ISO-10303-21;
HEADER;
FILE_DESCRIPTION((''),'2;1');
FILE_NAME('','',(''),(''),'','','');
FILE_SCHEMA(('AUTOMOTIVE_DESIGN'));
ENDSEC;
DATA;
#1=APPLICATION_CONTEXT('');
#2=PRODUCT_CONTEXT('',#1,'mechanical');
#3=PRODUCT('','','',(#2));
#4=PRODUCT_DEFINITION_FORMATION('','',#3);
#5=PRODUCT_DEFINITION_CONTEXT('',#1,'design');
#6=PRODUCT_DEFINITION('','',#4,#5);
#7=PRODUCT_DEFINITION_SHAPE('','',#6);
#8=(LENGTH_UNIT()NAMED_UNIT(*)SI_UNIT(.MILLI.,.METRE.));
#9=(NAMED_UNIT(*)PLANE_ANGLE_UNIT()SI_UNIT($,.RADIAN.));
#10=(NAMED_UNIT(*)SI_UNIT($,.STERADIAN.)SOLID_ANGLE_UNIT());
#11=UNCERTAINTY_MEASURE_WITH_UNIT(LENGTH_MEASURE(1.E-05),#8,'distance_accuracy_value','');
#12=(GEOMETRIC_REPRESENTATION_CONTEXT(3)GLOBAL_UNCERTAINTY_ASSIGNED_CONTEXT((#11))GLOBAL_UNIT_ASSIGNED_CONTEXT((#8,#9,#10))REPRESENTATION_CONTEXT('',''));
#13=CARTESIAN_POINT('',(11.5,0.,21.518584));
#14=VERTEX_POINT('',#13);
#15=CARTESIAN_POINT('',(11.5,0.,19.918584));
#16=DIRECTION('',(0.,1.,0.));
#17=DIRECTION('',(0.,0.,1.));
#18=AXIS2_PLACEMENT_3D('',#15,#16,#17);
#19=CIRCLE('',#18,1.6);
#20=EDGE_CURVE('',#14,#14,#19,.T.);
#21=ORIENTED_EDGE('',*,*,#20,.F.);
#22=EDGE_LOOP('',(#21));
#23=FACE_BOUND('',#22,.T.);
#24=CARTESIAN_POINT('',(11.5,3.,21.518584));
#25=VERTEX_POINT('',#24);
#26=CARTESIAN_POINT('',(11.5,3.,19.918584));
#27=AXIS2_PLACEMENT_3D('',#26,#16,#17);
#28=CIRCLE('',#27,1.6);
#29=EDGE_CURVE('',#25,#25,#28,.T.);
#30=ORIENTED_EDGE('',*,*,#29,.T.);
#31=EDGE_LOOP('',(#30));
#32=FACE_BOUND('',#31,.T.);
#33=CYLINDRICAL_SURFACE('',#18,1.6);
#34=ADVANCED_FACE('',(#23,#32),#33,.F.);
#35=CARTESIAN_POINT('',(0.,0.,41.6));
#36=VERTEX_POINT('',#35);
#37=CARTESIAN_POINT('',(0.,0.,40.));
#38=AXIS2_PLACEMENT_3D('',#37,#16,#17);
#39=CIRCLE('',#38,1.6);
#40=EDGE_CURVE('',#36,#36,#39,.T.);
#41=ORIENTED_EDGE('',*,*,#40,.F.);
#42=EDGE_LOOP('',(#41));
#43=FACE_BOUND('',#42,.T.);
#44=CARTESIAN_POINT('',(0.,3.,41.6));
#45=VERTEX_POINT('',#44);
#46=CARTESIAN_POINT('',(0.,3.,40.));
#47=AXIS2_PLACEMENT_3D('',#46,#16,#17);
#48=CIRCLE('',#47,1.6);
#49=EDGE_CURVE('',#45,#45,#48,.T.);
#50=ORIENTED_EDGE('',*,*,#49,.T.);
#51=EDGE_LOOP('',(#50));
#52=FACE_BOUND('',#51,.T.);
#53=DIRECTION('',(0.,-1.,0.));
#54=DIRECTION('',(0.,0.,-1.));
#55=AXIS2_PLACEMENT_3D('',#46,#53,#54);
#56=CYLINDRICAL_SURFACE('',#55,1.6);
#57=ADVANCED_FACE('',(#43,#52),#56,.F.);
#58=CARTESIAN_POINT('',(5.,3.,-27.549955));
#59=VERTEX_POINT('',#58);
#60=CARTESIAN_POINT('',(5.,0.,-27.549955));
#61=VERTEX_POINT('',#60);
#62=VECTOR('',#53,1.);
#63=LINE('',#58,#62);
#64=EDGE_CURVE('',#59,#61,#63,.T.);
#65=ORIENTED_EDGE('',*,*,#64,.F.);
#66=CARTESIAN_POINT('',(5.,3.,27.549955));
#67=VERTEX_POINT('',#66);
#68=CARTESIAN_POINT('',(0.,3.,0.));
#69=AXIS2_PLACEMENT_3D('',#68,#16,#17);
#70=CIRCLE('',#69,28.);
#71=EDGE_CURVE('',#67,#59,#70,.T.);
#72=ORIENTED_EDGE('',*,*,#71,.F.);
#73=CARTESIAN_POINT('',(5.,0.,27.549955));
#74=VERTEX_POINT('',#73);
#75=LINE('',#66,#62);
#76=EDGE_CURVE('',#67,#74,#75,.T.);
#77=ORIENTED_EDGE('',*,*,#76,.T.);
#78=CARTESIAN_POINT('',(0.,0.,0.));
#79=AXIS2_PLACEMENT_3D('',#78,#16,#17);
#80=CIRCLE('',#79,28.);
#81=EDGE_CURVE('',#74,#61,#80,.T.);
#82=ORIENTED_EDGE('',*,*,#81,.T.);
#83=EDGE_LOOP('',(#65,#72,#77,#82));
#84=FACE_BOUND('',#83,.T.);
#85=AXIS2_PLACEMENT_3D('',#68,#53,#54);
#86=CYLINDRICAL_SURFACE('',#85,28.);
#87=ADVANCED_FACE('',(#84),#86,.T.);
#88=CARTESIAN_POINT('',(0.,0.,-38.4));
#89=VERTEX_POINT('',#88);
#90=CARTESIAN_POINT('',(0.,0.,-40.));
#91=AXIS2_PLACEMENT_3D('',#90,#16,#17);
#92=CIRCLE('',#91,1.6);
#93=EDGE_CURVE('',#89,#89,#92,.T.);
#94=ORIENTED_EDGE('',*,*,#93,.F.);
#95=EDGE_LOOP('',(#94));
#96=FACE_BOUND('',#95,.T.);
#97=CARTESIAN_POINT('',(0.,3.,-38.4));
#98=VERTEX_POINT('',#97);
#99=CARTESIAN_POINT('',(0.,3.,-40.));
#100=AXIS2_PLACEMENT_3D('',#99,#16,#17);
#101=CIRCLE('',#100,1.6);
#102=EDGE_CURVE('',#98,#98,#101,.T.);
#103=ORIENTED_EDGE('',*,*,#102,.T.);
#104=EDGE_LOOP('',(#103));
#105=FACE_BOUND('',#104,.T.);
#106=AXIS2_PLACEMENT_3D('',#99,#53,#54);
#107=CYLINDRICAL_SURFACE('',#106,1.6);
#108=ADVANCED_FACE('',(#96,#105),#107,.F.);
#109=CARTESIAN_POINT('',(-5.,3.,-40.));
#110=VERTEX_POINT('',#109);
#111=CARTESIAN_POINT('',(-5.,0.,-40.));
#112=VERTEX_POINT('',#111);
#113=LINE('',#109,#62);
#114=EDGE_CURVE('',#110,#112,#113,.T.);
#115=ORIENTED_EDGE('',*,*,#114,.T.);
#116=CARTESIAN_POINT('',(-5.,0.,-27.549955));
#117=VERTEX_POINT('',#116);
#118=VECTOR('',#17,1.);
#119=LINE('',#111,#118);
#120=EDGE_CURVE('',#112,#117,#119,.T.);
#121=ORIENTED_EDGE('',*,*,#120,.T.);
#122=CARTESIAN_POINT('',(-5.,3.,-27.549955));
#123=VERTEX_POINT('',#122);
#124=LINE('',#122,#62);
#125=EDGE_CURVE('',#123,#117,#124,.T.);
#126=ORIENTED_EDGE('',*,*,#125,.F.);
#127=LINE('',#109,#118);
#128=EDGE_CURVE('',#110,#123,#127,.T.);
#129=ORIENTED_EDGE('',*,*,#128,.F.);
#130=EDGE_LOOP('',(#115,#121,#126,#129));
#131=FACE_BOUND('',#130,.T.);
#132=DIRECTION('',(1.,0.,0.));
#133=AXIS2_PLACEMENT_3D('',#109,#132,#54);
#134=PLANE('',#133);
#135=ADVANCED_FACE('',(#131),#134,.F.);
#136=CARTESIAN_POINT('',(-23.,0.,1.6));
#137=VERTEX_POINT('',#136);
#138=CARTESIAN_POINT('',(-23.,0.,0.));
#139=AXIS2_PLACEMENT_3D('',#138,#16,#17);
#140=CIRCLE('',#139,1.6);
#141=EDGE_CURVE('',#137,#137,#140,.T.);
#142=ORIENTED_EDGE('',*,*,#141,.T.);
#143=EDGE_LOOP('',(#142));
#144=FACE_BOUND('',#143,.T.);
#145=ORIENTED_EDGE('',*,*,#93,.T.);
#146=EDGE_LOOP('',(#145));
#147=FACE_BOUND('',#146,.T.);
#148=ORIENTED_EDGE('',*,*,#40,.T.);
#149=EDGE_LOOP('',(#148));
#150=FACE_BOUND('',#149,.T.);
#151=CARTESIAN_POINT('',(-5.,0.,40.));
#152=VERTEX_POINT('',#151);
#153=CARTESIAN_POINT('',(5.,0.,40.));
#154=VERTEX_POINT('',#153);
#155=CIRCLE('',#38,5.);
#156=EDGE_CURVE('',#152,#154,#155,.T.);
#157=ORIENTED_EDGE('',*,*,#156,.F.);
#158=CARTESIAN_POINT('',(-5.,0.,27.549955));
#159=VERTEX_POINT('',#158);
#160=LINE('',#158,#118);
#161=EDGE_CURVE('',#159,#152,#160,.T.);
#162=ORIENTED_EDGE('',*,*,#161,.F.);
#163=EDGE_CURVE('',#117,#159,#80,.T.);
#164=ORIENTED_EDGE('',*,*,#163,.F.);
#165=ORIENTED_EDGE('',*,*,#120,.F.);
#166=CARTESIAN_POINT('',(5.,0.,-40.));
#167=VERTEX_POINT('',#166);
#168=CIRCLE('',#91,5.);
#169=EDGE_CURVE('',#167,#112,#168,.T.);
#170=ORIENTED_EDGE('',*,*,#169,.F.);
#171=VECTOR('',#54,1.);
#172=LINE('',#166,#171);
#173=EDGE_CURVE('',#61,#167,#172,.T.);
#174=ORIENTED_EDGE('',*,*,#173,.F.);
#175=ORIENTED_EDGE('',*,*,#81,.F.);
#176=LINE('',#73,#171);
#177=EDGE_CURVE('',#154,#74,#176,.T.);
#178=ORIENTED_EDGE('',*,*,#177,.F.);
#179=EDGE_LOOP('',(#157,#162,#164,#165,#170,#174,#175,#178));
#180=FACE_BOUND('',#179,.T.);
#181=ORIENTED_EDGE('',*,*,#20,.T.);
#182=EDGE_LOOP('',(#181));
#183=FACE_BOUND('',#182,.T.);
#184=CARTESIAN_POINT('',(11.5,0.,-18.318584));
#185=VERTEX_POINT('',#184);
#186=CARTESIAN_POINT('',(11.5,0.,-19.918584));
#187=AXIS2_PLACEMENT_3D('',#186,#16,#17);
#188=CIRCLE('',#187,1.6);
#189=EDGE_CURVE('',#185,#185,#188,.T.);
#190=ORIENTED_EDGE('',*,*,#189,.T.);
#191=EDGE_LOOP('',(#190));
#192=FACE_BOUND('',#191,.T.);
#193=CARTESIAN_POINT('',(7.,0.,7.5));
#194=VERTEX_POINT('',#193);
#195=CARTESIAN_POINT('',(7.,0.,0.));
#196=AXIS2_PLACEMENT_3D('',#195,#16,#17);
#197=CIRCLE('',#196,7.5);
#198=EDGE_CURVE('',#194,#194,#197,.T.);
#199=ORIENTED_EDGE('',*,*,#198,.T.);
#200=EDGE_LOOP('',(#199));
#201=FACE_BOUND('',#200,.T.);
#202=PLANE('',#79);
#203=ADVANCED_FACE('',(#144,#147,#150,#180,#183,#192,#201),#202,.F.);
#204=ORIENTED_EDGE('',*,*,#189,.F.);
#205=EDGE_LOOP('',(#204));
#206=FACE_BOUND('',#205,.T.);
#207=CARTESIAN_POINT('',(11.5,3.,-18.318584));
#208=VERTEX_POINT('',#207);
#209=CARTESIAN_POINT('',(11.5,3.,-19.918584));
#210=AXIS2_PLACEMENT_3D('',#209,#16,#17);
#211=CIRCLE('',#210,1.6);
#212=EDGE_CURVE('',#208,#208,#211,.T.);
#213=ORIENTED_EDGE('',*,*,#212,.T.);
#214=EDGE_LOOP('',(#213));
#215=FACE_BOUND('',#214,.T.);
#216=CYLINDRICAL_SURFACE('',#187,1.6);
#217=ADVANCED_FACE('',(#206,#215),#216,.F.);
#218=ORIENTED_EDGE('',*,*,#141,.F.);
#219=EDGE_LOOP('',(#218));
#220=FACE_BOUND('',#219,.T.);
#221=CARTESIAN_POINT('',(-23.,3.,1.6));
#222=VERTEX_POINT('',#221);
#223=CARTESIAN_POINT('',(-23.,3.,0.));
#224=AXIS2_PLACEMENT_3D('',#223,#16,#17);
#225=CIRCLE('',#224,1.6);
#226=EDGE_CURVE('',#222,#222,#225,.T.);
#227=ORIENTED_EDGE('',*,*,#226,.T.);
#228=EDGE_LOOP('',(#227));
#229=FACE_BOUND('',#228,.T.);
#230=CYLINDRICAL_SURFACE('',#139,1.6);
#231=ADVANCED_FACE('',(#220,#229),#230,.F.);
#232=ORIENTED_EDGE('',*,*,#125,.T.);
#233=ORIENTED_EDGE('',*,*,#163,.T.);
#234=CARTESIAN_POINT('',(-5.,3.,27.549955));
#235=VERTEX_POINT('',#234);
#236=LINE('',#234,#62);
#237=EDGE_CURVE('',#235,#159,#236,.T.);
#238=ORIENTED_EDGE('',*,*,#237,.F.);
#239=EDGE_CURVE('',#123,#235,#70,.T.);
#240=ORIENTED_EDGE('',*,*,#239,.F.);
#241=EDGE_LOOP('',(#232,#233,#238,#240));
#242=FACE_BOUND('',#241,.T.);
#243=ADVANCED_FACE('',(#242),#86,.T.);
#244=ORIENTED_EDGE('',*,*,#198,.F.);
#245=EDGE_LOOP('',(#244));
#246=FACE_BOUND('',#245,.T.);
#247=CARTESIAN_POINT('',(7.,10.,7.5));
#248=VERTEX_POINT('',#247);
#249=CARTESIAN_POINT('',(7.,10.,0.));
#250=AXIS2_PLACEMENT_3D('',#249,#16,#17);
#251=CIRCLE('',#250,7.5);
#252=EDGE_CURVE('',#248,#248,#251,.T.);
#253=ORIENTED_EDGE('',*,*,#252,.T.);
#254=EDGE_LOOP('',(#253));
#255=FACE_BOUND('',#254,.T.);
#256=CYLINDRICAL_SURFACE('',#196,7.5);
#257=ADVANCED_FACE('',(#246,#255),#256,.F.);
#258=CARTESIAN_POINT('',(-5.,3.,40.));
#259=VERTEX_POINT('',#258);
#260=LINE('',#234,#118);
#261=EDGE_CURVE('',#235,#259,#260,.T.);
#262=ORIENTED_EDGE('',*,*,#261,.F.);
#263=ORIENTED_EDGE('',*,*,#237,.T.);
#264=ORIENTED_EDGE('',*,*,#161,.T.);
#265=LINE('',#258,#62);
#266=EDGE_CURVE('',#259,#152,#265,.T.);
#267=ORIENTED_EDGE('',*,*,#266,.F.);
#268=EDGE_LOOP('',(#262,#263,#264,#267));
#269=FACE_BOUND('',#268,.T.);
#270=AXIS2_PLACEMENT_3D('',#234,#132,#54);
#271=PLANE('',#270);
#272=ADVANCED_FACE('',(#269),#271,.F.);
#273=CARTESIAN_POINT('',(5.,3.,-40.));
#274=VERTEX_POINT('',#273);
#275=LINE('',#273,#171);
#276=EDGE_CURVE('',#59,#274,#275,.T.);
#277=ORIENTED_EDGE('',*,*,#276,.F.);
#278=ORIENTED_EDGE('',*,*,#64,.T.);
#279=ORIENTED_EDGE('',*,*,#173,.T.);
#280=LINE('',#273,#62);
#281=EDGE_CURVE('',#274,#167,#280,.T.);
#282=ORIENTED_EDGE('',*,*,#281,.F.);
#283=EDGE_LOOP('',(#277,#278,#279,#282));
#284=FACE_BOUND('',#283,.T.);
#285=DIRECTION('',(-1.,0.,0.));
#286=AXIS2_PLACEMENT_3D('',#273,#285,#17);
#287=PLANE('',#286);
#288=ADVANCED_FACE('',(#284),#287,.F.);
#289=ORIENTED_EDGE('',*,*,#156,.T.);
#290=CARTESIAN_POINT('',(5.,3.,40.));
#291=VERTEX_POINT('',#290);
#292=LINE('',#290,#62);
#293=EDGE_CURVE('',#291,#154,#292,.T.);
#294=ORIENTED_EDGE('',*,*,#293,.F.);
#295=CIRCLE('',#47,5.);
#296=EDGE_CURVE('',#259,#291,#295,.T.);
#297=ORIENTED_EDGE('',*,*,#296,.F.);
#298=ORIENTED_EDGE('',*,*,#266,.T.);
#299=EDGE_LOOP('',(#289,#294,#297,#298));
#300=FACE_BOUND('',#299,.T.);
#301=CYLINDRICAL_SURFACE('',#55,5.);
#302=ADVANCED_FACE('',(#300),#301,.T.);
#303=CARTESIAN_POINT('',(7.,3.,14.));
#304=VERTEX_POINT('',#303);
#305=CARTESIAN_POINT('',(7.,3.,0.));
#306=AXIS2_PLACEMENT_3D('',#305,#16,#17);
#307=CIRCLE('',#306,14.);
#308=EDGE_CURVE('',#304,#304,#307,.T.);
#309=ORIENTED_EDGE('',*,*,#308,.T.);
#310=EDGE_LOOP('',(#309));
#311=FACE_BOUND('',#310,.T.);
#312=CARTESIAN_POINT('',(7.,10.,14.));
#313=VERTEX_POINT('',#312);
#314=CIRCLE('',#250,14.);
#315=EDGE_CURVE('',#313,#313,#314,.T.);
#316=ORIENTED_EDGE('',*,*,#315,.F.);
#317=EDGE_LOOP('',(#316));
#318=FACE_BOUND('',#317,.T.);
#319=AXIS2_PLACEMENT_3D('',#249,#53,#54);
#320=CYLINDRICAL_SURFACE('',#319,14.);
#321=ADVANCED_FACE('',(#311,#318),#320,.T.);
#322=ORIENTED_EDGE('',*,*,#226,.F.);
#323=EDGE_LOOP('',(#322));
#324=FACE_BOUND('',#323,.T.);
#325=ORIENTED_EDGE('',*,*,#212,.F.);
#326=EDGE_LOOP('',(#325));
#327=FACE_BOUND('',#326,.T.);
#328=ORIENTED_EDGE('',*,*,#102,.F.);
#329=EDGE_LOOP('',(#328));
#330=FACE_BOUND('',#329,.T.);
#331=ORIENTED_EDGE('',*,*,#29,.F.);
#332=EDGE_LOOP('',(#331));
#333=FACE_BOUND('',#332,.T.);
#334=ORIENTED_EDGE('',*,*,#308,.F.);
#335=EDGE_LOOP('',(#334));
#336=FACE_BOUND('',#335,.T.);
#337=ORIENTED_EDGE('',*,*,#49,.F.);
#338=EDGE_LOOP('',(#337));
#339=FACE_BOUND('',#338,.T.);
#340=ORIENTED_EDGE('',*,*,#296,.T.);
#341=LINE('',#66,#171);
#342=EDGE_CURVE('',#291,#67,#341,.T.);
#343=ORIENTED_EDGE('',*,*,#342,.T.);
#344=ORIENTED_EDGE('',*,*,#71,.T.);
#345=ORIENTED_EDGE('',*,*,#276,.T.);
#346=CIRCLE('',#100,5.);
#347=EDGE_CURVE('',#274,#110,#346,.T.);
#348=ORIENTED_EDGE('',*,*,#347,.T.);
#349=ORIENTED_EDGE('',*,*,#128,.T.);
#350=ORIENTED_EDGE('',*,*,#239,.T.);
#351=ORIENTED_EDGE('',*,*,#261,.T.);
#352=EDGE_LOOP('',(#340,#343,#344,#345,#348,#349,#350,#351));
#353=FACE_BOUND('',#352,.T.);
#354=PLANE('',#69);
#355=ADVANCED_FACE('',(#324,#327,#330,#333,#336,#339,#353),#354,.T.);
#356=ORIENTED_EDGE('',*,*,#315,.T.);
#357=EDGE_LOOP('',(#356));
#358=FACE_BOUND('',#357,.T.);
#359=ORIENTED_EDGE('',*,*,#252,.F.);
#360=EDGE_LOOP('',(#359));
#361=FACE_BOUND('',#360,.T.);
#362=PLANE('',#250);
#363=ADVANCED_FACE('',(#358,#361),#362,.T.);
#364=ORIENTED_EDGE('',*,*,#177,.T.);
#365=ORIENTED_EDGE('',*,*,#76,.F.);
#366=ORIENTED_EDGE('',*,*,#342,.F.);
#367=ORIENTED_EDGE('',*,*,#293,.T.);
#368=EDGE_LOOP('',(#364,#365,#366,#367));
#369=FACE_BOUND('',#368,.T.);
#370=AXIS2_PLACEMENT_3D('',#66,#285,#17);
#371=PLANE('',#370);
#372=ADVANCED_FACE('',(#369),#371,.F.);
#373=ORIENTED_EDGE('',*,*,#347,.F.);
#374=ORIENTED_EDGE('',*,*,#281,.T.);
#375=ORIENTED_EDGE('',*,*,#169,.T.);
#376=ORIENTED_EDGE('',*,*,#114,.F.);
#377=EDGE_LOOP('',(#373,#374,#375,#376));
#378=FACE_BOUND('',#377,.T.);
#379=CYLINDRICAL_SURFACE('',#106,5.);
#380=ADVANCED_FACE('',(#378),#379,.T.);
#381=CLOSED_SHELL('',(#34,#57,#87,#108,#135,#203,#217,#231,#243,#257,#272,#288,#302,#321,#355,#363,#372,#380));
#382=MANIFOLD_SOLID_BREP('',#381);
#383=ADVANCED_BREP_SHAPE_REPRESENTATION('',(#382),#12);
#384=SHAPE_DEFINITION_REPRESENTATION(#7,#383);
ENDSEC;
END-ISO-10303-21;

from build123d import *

# Parameters (mm, degrees)
SKETCH_1_R               = 1.6
EXTRUDE_1_DEPTH          = 3
SKETCH_4_R               = 14
EXTRUDE_2_DEPTH          = 7
CUT_EXTRUDE_1_DEPTH      = 54.460265618
CUT_EXTRUDE_1_DEPTH_BACK = 54.460265618
SKETCH_2_R               = 7.5
SKETCH_3_R               = 1.6
CUT_EXTRUDE_2_DEPTH      = 54.460265618


with BuildPart() as part:
    # ｽｹｯﾁ1 → ﾎﾞｽ - 押し出し1 (new body)
    with BuildSketch(Plane(origin=(0, 0, 0), x_dir=(1, 0, 0), z_dir=(0, 1, 0))):
        with BuildLine():
            Line((5, 40), (5, 27.549954628))
            ThreePointArc((5, 27.549954628), (28, 0), (5, -27.549954628))
            Line((5, -27.549954628), (5, -40))
            ThreePointArc((5, -40), (0, -45), (-5, -40))
            Line((-5, -40), (-5, -27.549954628))
            ThreePointArc((-5, -27.549954628), (-28, 0), (-5, 27.549954628))
            Line((-5, 27.549954628), (-5, 40))
            ThreePointArc((-5, 40), (0, 45), (5, 40))
        make_face()
        with Locations(Location((0, 40, 0), (0, 0, 270))):
            Circle(SKETCH_1_R, mode=Mode.SUBTRACT)
        with Locations(Location((0, -40, 0), (0, 0, 270))):
            Circle(SKETCH_1_R, mode=Mode.SUBTRACT)
    extrude(amount=EXTRUDE_1_DEPTH)

    # ｽｹｯﾁ4 → ﾎﾞｽ - 押し出し2 (add)
    with BuildSketch(Plane(origin=(0, 3, 0), x_dir=(1, 0, 0), z_dir=(0, 1, 0))):
        with Locations(Location((7, 0, 0), (0, 0, 270))):
            Circle(SKETCH_4_R)
    extrude(amount=EXTRUDE_2_DEPTH)

    # ｽｹｯﾁ2 → ｶｯﾄ - 押し出し1 (cut, two sides: drawn at the far end of the back side and taken through both)
    with BuildSketch(Plane(origin=(0, 3, 0), x_dir=(1, 0, 0), z_dir=(0, 1, 0)).offset(-CUT_EXTRUDE_1_DEPTH_BACK)):
        with Locations(Location((7, 0, 0), (0, 0, 270))):
            Circle(SKETCH_2_R)
    extrude(amount=CUT_EXTRUDE_1_DEPTH + CUT_EXTRUDE_1_DEPTH_BACK, mode=Mode.SUBTRACT)

    # ｽｹｯﾁ3 → ｶｯﾄ - 押し出し2 (cut, through all)
    with BuildSketch(Plane(origin=(0, 3, 0), x_dir=(1, 0, 0), z_dir=(0, 1, 0))):
        with Locations(Location((-23, 0, 0), (0, 0, 270))):
            Circle(SKETCH_3_R)
        with Locations(Location((11.5, 19.918584287, 0), (0, 0, 270))):
            Circle(SKETCH_3_R)
        with Locations(Location((11.5, -19.918584287, 0), (0, 0, 270))):
            Circle(SKETCH_3_R)
    extrude(amount=-CUT_EXTRUDE_2_DEPTH, mode=Mode.SUBTRACT)


solid = part.part
